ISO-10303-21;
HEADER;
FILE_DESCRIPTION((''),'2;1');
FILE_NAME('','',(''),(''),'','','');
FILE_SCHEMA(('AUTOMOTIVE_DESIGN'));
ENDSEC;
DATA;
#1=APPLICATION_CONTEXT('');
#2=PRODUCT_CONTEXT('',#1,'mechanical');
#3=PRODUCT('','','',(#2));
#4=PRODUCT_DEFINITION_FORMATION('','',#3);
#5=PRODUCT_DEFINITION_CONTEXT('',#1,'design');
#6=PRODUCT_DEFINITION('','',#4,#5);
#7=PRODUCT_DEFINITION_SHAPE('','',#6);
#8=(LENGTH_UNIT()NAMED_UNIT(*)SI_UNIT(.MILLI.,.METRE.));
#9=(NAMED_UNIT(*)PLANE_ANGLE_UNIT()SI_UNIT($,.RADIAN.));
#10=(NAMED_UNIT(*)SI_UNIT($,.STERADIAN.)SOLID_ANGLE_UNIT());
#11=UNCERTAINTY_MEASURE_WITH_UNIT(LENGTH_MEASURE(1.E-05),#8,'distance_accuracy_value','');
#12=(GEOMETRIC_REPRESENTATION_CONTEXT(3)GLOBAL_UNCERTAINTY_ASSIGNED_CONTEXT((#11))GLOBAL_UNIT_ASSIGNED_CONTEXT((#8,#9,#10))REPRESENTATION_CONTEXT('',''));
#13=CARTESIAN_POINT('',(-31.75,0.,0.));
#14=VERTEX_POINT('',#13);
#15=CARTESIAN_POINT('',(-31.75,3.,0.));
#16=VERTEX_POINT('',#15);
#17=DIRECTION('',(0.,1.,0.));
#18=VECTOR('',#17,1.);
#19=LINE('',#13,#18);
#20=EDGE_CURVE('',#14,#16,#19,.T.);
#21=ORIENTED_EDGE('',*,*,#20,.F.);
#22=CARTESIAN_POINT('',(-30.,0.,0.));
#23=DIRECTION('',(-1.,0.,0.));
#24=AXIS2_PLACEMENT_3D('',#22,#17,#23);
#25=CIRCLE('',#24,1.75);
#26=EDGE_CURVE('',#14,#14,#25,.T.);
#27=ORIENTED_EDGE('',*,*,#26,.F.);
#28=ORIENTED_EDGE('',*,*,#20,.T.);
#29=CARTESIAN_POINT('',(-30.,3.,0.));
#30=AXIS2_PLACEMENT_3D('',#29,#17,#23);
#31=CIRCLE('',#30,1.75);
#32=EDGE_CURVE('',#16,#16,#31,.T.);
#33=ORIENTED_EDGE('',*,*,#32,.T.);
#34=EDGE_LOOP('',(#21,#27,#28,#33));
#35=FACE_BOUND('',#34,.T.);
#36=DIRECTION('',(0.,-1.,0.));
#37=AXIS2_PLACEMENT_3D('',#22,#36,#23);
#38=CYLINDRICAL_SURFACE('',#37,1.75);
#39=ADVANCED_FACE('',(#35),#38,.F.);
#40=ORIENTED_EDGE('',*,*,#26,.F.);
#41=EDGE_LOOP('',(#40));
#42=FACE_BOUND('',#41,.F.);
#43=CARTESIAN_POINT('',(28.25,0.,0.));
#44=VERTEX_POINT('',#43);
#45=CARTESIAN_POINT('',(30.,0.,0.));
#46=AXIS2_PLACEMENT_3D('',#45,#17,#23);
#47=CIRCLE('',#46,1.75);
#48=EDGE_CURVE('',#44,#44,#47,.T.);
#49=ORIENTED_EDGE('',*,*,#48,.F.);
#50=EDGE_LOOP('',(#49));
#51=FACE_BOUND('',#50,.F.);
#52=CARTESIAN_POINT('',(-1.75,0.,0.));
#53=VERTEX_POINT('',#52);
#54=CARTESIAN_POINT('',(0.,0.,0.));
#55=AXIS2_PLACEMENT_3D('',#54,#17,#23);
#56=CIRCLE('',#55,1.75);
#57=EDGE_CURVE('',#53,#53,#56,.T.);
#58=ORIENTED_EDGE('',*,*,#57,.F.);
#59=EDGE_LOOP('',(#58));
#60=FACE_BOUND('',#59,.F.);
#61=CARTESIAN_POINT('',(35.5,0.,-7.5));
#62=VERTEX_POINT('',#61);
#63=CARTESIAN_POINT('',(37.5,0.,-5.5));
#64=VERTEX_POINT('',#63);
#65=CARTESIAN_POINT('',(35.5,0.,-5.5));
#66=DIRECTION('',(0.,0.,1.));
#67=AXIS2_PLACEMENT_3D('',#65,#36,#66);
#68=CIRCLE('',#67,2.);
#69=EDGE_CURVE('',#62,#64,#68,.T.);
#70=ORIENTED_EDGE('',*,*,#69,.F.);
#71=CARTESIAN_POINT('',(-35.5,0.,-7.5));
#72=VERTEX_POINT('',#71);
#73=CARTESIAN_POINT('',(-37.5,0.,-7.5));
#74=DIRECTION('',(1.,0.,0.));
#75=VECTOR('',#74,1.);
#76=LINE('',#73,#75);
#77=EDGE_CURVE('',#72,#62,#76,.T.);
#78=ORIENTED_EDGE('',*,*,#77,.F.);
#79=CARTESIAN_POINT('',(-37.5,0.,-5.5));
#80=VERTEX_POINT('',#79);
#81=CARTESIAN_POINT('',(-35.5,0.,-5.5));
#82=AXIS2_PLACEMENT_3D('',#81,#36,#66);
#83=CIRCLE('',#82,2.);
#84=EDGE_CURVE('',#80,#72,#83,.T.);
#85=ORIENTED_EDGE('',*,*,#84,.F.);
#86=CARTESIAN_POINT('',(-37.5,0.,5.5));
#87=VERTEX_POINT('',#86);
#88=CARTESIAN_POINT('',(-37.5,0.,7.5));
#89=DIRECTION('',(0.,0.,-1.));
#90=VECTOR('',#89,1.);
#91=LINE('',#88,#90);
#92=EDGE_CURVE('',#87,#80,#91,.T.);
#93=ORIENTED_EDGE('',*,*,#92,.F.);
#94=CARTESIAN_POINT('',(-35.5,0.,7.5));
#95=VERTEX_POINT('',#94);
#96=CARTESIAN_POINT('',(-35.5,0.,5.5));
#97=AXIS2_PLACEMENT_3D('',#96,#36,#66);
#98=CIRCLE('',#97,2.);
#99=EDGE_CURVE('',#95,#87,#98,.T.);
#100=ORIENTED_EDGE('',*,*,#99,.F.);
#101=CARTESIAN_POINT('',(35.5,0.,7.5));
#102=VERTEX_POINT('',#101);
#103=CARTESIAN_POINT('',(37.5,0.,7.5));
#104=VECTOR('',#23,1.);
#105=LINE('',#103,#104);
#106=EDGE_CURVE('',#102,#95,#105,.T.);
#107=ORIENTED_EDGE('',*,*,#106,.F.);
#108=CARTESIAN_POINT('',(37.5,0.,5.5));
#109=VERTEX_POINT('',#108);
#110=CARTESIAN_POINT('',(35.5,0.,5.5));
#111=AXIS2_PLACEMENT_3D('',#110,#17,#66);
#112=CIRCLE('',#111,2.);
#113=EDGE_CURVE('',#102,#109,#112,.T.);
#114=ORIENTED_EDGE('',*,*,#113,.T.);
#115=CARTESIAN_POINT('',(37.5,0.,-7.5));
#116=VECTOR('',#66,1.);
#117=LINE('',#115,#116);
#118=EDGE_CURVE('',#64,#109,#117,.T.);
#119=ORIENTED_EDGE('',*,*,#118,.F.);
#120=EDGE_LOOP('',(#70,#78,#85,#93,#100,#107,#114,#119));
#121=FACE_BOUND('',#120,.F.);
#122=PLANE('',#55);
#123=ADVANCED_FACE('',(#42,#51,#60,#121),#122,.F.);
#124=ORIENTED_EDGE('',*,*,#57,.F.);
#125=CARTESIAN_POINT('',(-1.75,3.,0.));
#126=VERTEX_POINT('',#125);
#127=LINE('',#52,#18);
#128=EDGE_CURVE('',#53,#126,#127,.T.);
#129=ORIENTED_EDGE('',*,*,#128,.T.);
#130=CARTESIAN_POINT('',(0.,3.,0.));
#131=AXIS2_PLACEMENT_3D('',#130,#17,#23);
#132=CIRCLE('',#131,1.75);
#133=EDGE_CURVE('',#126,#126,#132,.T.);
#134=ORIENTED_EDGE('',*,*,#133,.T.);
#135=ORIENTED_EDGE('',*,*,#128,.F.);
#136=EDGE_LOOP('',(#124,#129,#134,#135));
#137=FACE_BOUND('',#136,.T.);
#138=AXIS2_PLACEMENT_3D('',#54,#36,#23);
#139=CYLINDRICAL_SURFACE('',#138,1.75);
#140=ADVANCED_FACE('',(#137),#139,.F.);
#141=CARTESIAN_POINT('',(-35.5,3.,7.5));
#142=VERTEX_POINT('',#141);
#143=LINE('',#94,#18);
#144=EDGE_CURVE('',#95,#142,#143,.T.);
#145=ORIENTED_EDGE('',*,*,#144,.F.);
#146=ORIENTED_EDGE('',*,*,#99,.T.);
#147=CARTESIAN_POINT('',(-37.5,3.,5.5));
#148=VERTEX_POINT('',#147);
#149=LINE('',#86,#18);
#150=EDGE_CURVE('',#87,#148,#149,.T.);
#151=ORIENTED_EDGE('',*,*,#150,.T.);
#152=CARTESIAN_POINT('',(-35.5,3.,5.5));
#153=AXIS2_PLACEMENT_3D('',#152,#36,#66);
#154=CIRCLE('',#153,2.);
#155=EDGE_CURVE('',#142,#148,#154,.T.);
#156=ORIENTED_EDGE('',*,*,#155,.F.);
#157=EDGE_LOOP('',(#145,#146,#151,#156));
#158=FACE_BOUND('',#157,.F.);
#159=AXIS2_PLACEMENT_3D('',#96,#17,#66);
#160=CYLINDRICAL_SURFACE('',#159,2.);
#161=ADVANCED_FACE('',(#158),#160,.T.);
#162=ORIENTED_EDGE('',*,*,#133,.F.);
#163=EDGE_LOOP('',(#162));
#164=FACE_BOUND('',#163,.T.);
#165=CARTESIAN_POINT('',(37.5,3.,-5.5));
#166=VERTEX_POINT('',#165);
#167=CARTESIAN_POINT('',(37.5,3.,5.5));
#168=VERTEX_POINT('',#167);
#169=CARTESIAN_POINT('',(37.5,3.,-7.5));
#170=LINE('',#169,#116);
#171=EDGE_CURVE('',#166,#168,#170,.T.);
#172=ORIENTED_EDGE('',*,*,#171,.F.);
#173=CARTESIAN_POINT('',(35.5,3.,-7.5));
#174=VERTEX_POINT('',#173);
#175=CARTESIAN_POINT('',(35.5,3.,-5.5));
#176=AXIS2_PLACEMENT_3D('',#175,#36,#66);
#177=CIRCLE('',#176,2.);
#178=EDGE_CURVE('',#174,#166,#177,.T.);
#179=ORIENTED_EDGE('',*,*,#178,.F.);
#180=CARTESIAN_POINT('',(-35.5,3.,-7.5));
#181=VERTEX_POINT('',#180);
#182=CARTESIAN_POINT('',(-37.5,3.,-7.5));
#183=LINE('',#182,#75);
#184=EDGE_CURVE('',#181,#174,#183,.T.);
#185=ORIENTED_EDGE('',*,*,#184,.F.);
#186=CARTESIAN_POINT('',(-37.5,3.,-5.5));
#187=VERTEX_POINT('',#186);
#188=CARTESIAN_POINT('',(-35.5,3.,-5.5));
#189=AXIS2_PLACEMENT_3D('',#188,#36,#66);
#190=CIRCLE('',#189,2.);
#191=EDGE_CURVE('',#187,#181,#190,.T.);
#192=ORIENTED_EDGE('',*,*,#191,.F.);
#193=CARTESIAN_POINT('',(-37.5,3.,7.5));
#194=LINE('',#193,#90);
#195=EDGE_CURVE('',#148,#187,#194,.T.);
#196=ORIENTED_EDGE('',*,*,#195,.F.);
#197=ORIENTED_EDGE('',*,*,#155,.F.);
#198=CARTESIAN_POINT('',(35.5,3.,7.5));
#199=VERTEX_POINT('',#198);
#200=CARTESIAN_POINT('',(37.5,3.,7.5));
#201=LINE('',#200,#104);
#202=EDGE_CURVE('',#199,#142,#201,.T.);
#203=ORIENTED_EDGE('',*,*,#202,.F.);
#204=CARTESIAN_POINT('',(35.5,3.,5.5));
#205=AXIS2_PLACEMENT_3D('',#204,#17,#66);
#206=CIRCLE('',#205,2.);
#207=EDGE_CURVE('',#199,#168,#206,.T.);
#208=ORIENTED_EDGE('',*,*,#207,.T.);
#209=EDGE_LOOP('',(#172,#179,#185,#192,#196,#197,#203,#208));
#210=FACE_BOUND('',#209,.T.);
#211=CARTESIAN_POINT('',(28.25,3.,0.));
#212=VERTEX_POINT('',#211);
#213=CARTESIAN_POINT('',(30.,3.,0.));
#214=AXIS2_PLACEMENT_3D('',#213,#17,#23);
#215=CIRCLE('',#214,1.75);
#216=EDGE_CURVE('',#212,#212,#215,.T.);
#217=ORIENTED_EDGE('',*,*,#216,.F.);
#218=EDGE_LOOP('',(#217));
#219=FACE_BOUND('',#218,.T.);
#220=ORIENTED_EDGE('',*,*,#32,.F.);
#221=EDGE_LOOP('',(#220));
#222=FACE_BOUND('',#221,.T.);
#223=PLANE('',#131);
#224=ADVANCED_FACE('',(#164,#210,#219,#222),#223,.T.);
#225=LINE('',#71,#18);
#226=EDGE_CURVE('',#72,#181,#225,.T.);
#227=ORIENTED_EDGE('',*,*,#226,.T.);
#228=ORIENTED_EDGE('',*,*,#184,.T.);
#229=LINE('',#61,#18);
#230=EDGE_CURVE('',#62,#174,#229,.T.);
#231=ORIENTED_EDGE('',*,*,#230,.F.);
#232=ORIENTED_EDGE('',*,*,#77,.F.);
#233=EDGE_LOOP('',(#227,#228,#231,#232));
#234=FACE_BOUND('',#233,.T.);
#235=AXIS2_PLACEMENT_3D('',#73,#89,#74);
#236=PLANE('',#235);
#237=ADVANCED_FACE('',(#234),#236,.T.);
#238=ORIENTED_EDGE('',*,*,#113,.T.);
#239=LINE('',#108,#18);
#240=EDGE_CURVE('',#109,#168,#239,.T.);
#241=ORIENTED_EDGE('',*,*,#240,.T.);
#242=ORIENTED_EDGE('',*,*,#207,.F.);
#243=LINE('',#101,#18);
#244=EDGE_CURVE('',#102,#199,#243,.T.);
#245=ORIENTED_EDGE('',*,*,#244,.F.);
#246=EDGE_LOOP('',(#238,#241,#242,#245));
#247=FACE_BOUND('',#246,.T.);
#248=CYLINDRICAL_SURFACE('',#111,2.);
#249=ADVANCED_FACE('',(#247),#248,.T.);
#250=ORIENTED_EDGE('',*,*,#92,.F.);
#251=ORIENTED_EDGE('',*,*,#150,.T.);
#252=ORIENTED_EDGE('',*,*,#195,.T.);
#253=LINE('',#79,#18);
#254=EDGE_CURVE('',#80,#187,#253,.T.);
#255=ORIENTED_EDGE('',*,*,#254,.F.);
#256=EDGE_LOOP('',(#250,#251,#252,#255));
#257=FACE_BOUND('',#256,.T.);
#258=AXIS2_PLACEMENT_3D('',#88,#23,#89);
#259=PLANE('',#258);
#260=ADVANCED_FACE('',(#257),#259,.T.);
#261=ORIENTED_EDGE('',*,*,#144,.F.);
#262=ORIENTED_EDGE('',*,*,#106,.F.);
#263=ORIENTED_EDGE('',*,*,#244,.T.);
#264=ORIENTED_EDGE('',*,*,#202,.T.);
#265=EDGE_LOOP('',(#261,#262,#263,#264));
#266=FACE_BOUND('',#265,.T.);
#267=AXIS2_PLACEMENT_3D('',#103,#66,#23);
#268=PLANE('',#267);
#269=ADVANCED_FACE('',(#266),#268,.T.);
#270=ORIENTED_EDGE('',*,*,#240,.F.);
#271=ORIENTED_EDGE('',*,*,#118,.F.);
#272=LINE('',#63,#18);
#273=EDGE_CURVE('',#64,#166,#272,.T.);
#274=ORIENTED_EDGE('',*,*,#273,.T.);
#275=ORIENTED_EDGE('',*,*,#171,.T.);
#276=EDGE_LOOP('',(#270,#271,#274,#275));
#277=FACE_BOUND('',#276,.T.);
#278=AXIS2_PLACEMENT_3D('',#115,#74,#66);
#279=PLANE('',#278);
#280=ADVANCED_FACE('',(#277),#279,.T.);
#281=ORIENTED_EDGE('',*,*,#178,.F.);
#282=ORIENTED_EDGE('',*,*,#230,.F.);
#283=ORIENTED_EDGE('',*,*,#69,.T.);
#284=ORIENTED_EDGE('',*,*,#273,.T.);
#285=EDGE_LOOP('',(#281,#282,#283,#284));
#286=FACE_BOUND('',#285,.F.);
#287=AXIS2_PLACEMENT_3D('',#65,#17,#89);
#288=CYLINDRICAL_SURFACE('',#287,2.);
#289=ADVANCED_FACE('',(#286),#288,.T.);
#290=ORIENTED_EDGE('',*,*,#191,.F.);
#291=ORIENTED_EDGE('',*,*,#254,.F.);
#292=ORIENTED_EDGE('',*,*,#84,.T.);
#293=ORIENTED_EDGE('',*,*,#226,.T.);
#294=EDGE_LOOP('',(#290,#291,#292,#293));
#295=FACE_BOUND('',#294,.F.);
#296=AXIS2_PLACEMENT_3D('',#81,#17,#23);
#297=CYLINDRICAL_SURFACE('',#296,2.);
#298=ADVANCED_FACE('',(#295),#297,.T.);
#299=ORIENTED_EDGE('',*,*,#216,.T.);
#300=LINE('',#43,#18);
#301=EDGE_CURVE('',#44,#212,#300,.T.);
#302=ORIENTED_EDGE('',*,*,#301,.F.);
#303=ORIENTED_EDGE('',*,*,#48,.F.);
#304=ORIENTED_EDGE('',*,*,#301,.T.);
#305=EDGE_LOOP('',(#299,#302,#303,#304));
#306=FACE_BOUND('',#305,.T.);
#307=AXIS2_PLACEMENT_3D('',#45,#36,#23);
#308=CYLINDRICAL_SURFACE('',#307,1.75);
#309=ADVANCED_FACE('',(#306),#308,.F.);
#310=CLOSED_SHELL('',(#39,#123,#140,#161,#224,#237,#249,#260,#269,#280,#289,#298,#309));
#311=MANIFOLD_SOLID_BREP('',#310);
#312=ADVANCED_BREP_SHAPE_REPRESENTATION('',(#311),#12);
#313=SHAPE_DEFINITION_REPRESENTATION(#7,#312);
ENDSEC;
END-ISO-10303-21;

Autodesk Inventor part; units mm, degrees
ref_plane "YZ Plane" through (0, 0, 0) normal (1, 0, 0) x (0, 1, 0)
ref_plane "XZ Plane" through (0, 0, 0) normal (0, 1, 0) x (-1, 0, 0)
ref_plane "XY Plane" through (0, 0, 0) normal (0, 0, 1) x (1, 0, 0)
sketch "スケッチ1" plane through (0, 0, 0) normal (0, 1, 0) x (-1, 0, 0)
  circle A0 centre (0, 0) radius 1.75
  circle A1 centre (30, 0) radius 1.75
  circle A2 centre (-30, 0) radius 1.75
  line L0 (-37.5, 7.5) -> (37.5, 7.5)
  line L1 (37.5, 7.5) -> (37.5, -7.5)
  line L2 (37.5, -7.5) -> (-37.5, -7.5)
  line L3 (-37.5, -7.5) -> (-37.5, 7.5)
  line L4 (-37.5, 7.5) -> (37.5, -7.5) construction
  line L5 (37.5, 7.5) -> (-37.5, -7.5) construction
  line L6 (-37.5, 7.5) -> (37.5, 7.5) construction
  dimension "d0" = 3.5
  dimension "d1" = 3.5
  dimension "d2" = 3.5
  dimension "d3" = 75
  dimension "d4" = 0
  dimension "d5" = 15
extrude "押し出し1" add sketch "スケッチ1" along normal blind 3
fillet "フィレット1" radius 2 4 edges at (-37.5, 1.5, -7.5) (-37.5, 1.5, 7.5) (37.5, 1.5, 7.5) (37.5, 1.5, -7.5)
properties part number "1"
